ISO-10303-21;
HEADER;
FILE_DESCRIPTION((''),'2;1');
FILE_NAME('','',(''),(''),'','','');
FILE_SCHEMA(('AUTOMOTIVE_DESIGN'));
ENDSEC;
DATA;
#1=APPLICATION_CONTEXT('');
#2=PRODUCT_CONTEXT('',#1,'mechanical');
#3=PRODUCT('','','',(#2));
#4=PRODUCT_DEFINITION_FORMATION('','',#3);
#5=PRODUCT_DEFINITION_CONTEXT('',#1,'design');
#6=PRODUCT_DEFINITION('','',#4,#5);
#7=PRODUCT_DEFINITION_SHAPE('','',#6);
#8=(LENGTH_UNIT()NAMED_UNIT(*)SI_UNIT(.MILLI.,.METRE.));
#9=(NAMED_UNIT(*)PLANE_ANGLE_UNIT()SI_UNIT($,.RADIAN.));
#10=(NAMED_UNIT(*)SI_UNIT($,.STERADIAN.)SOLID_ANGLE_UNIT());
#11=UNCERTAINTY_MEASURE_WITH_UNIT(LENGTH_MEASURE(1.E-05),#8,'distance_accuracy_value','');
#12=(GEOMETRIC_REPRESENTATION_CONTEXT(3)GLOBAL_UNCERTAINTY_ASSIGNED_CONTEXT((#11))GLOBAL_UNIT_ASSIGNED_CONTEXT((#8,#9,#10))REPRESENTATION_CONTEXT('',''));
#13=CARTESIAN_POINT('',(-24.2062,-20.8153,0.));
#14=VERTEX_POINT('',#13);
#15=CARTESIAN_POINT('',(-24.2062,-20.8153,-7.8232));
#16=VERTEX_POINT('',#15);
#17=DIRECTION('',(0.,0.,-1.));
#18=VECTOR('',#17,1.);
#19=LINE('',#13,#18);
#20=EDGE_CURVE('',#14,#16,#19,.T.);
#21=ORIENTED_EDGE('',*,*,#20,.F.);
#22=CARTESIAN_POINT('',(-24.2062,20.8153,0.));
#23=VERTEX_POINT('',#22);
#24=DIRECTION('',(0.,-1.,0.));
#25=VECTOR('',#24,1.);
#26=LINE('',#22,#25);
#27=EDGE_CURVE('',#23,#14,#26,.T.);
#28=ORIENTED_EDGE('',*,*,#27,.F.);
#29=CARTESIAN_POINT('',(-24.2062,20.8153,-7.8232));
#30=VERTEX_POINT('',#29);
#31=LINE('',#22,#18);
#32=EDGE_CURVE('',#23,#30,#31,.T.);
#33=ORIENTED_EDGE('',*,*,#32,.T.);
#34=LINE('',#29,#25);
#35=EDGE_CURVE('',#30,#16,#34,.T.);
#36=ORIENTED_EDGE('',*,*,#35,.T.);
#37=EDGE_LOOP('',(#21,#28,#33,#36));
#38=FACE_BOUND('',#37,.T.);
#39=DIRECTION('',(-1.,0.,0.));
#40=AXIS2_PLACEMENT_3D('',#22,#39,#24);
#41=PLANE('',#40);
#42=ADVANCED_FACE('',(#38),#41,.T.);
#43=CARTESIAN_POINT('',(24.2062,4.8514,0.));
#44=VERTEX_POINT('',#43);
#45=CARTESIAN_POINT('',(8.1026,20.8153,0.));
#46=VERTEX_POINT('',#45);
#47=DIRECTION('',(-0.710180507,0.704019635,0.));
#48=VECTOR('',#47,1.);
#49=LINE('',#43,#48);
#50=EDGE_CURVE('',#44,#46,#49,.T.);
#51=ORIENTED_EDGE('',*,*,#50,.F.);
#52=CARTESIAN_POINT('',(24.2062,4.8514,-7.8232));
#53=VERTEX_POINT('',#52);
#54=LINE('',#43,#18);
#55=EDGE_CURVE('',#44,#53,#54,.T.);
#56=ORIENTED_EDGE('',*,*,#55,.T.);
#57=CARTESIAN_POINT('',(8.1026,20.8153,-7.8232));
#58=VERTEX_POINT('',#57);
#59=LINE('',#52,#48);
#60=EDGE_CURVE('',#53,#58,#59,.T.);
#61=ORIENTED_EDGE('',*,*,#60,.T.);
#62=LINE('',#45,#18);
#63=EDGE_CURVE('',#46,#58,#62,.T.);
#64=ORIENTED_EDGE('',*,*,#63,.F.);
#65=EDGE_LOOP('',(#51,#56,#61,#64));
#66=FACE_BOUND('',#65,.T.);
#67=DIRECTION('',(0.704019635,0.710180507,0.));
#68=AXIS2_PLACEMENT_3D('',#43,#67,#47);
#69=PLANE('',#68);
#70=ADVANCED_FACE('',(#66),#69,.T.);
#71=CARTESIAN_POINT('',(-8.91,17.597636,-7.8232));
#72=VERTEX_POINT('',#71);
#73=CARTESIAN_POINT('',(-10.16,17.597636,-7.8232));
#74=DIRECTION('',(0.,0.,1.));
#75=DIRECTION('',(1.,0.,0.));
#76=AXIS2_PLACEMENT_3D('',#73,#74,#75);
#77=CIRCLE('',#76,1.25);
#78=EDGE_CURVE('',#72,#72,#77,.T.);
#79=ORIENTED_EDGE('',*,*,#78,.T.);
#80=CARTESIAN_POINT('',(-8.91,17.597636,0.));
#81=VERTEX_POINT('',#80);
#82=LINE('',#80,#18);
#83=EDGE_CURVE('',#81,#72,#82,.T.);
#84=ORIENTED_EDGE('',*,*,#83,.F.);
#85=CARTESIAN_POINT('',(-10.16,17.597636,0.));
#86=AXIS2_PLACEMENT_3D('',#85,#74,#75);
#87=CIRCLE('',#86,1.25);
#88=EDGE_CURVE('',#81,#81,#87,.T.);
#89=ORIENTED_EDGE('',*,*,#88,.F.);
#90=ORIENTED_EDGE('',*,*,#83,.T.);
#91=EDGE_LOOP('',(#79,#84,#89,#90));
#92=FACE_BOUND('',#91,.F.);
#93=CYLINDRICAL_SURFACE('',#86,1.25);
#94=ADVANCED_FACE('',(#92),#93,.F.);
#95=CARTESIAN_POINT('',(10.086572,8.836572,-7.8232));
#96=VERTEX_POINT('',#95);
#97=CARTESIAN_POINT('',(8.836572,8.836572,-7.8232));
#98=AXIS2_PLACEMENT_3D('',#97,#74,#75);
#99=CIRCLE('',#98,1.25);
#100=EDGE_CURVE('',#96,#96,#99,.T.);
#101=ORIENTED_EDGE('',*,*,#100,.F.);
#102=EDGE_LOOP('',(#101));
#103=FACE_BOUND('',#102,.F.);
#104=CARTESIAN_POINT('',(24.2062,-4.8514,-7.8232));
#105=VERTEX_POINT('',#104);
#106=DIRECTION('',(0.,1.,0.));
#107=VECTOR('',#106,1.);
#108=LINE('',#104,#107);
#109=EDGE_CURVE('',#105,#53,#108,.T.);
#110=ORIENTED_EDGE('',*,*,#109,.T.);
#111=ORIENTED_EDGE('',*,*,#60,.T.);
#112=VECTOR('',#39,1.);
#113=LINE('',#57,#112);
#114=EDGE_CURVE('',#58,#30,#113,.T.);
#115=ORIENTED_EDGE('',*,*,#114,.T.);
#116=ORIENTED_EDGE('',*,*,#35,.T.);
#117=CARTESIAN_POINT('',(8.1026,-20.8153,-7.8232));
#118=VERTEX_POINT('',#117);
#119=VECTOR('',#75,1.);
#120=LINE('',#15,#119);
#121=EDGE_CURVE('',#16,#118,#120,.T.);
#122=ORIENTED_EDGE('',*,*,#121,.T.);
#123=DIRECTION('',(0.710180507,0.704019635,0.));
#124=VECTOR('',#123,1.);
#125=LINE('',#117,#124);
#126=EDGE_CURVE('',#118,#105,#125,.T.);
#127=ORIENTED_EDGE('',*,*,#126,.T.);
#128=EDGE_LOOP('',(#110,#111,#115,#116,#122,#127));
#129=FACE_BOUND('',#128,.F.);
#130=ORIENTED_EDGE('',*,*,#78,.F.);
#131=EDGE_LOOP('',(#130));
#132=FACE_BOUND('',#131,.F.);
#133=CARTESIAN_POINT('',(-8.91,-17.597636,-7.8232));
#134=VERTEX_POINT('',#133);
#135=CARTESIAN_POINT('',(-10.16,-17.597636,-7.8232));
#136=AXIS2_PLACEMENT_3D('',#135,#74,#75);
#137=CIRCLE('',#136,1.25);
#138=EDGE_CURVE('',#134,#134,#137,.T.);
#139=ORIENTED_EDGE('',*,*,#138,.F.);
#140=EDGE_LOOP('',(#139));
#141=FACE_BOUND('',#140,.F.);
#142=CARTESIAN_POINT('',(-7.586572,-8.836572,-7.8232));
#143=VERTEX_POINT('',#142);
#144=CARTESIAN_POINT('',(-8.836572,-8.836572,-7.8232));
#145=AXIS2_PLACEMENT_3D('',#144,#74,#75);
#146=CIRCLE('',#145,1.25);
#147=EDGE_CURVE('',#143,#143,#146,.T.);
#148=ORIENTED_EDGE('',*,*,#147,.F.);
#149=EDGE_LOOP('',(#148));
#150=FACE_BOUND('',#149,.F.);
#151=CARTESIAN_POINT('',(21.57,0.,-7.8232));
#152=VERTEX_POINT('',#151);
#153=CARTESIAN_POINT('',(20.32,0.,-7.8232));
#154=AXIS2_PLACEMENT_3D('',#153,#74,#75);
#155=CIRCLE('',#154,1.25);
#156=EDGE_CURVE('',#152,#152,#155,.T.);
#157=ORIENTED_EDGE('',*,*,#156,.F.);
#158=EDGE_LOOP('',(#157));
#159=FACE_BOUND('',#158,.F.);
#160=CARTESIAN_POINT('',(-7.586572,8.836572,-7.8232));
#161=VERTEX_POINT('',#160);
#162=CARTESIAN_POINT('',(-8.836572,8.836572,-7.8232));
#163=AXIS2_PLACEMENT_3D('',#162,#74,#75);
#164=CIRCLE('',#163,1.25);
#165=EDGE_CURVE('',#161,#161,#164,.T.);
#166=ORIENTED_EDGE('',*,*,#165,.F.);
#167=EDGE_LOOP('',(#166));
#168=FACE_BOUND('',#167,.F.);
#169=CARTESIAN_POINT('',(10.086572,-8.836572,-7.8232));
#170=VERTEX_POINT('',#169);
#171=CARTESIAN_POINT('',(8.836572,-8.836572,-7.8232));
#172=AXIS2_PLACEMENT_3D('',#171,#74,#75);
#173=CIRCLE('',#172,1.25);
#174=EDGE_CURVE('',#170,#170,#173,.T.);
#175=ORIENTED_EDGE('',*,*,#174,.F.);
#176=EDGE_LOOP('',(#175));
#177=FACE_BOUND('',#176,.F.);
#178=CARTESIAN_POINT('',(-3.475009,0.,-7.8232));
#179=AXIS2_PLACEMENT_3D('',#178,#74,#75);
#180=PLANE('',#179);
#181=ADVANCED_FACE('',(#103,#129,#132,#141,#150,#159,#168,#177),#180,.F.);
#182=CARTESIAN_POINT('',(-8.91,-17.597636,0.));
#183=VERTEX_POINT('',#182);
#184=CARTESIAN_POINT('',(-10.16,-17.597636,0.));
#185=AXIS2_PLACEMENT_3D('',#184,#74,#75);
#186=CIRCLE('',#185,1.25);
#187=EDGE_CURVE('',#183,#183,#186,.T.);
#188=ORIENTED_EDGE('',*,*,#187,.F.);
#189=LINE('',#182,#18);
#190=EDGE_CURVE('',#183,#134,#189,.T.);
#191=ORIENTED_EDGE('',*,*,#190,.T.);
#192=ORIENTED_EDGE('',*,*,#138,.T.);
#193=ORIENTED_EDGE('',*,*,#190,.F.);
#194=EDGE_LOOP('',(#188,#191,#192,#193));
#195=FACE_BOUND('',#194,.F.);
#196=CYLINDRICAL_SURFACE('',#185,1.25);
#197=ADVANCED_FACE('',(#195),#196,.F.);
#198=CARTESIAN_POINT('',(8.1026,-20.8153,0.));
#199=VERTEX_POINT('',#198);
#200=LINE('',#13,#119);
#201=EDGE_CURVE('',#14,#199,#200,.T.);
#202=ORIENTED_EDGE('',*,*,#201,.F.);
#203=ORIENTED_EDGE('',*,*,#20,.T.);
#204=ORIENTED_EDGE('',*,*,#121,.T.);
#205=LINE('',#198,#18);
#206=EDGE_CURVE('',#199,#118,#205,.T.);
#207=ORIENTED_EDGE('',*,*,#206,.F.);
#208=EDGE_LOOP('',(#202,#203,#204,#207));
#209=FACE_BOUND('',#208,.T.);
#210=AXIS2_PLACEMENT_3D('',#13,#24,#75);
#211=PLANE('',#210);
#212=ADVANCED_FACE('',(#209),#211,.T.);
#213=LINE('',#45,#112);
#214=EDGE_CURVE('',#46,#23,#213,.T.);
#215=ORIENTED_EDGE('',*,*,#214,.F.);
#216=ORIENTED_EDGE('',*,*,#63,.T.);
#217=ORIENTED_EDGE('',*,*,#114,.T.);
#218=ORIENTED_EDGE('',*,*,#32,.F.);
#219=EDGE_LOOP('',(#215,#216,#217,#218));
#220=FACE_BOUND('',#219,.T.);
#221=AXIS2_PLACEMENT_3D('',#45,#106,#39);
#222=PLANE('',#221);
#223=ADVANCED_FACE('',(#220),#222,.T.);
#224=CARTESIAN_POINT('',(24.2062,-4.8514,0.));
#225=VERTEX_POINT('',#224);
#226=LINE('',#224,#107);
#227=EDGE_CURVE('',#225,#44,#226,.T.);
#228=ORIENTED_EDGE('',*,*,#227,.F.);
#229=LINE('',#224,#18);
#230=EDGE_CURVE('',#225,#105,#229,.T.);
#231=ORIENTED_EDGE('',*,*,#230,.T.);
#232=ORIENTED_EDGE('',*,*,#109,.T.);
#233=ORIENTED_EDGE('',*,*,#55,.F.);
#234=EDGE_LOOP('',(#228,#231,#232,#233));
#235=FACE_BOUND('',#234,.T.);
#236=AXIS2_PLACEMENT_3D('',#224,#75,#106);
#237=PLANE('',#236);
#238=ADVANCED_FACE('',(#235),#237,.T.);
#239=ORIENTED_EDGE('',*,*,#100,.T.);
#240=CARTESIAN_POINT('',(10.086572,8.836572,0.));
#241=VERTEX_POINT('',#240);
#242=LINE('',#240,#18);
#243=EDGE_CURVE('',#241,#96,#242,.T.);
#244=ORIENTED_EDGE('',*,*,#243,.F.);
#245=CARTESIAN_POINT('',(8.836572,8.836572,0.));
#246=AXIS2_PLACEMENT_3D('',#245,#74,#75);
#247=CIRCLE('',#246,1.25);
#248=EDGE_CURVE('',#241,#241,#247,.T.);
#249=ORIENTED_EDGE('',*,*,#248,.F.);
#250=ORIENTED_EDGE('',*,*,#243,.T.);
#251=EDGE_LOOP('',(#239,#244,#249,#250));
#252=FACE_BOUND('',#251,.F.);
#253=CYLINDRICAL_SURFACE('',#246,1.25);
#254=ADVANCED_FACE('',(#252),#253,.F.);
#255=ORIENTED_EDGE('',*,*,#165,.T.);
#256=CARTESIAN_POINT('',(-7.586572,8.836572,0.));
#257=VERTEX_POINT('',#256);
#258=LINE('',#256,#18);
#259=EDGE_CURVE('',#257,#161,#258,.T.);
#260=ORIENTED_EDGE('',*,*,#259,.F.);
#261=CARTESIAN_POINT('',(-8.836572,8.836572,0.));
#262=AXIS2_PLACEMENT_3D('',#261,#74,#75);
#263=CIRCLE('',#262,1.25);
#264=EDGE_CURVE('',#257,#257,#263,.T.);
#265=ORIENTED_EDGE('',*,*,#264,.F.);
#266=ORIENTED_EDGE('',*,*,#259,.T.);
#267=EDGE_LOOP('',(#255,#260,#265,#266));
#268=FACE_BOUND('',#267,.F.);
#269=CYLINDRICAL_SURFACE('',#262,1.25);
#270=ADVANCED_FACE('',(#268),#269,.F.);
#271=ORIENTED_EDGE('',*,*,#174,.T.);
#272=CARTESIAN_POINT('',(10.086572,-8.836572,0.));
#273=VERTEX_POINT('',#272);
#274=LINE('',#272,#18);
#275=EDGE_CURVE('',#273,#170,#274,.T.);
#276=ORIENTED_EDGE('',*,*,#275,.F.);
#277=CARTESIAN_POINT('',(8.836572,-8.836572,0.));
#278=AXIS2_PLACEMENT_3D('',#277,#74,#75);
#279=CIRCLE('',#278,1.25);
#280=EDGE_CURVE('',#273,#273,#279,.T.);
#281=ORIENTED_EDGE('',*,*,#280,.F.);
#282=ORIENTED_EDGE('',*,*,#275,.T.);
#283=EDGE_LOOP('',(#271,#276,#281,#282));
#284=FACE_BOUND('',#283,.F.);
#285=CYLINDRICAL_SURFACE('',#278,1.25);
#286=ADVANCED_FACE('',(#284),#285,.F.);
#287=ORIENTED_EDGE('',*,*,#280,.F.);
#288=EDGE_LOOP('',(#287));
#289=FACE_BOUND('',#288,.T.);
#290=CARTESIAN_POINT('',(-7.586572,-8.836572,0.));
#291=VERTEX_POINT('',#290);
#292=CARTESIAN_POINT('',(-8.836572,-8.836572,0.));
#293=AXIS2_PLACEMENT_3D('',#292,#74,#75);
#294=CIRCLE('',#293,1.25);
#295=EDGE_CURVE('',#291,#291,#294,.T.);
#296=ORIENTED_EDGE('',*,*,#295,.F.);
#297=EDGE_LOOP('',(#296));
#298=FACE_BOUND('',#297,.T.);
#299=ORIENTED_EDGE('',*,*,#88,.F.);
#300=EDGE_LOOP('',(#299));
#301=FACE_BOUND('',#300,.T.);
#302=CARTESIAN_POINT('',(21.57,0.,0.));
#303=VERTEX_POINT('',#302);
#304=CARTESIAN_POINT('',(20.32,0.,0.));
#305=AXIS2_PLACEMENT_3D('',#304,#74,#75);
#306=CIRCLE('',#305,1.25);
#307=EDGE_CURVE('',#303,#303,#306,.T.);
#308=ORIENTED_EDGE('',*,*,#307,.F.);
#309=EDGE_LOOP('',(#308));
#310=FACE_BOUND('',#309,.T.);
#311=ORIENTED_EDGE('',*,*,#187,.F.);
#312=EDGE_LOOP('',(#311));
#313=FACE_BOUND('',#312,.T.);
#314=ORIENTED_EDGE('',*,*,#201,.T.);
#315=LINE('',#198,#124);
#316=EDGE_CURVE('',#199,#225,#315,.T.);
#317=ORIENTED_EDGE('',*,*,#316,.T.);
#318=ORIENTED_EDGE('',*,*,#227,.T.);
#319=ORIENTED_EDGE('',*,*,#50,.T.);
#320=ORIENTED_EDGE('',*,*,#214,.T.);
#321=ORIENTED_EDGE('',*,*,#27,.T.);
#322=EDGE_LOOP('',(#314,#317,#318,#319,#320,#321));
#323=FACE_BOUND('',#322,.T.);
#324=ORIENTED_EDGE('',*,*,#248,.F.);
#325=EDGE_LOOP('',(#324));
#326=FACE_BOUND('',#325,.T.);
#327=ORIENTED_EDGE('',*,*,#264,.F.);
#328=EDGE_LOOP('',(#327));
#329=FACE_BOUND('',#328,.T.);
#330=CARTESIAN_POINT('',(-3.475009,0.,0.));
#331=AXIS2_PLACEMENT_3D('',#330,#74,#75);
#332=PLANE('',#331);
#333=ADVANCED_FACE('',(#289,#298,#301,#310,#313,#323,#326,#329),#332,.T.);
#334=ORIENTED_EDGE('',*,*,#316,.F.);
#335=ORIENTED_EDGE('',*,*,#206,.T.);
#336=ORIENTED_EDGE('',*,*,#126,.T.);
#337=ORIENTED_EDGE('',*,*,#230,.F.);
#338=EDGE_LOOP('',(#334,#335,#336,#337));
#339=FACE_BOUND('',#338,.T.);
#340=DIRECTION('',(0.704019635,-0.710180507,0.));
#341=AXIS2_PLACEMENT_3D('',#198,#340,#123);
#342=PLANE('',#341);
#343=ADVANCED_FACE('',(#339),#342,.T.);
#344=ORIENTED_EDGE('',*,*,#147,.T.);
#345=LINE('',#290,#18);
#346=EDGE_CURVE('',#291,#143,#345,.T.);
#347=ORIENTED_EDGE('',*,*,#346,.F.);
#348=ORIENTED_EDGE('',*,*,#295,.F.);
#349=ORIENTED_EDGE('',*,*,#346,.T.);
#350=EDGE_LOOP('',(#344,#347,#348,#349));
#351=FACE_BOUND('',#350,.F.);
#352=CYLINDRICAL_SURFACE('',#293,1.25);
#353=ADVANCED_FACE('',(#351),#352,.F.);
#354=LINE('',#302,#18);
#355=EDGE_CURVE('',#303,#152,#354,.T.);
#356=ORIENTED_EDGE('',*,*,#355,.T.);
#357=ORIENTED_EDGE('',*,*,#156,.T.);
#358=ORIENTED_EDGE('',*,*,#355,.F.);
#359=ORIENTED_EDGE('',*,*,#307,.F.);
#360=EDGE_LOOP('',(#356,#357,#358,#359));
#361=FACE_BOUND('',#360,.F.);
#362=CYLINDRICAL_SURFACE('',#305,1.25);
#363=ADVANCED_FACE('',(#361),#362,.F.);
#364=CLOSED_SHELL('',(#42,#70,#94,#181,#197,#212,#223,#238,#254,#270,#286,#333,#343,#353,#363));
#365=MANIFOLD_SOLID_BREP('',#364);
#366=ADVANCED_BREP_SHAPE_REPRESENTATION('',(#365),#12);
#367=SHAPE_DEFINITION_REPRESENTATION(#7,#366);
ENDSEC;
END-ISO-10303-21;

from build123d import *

# Parameters (mm, degrees)
F1_DEPTH = 7.8232
F3_R     = 1.25
F4_DEPTH = 7.8232


with BuildPart() as f1:
    # F0 (on Top) → F1 (new body)
    with BuildSketch(Plane.XY):
        Polygon((-24.2062, 0), (-24.2062, -20.8153), (8.1026, -20.8153), (24.2062, -4.8514), (24.2062, 0), (24.2062, 4.8514), (8.1026, 20.8153), (-24.2062, 20.8153), align=None)
    extrude(amount=-F1_DEPTH)

    # F3 (on face) → F4 (cut, through all)
    with BuildSketch(Plane.XY):
        with Locations((-10.16, -17.597636)):
            Circle(F3_R)
        with Locations((-10.16, 17.597636)):
            Circle(F3_R)
        with Locations((20.32, 0)):
            Circle(F3_R)
        with Locations((-8.836572, -8.836572)):
            Circle(F3_R)
        with Locations((-8.836572, 8.836572)):
            Circle(F3_R)
        with Locations((8.836572, 8.836572)):
            Circle(F3_R)
        with Locations((8.836572, -8.836572)):
            Circle(F3_R)
    extrude(amount=-F4_DEPTH, mode=Mode.SUBTRACT)


solid = f1.part
